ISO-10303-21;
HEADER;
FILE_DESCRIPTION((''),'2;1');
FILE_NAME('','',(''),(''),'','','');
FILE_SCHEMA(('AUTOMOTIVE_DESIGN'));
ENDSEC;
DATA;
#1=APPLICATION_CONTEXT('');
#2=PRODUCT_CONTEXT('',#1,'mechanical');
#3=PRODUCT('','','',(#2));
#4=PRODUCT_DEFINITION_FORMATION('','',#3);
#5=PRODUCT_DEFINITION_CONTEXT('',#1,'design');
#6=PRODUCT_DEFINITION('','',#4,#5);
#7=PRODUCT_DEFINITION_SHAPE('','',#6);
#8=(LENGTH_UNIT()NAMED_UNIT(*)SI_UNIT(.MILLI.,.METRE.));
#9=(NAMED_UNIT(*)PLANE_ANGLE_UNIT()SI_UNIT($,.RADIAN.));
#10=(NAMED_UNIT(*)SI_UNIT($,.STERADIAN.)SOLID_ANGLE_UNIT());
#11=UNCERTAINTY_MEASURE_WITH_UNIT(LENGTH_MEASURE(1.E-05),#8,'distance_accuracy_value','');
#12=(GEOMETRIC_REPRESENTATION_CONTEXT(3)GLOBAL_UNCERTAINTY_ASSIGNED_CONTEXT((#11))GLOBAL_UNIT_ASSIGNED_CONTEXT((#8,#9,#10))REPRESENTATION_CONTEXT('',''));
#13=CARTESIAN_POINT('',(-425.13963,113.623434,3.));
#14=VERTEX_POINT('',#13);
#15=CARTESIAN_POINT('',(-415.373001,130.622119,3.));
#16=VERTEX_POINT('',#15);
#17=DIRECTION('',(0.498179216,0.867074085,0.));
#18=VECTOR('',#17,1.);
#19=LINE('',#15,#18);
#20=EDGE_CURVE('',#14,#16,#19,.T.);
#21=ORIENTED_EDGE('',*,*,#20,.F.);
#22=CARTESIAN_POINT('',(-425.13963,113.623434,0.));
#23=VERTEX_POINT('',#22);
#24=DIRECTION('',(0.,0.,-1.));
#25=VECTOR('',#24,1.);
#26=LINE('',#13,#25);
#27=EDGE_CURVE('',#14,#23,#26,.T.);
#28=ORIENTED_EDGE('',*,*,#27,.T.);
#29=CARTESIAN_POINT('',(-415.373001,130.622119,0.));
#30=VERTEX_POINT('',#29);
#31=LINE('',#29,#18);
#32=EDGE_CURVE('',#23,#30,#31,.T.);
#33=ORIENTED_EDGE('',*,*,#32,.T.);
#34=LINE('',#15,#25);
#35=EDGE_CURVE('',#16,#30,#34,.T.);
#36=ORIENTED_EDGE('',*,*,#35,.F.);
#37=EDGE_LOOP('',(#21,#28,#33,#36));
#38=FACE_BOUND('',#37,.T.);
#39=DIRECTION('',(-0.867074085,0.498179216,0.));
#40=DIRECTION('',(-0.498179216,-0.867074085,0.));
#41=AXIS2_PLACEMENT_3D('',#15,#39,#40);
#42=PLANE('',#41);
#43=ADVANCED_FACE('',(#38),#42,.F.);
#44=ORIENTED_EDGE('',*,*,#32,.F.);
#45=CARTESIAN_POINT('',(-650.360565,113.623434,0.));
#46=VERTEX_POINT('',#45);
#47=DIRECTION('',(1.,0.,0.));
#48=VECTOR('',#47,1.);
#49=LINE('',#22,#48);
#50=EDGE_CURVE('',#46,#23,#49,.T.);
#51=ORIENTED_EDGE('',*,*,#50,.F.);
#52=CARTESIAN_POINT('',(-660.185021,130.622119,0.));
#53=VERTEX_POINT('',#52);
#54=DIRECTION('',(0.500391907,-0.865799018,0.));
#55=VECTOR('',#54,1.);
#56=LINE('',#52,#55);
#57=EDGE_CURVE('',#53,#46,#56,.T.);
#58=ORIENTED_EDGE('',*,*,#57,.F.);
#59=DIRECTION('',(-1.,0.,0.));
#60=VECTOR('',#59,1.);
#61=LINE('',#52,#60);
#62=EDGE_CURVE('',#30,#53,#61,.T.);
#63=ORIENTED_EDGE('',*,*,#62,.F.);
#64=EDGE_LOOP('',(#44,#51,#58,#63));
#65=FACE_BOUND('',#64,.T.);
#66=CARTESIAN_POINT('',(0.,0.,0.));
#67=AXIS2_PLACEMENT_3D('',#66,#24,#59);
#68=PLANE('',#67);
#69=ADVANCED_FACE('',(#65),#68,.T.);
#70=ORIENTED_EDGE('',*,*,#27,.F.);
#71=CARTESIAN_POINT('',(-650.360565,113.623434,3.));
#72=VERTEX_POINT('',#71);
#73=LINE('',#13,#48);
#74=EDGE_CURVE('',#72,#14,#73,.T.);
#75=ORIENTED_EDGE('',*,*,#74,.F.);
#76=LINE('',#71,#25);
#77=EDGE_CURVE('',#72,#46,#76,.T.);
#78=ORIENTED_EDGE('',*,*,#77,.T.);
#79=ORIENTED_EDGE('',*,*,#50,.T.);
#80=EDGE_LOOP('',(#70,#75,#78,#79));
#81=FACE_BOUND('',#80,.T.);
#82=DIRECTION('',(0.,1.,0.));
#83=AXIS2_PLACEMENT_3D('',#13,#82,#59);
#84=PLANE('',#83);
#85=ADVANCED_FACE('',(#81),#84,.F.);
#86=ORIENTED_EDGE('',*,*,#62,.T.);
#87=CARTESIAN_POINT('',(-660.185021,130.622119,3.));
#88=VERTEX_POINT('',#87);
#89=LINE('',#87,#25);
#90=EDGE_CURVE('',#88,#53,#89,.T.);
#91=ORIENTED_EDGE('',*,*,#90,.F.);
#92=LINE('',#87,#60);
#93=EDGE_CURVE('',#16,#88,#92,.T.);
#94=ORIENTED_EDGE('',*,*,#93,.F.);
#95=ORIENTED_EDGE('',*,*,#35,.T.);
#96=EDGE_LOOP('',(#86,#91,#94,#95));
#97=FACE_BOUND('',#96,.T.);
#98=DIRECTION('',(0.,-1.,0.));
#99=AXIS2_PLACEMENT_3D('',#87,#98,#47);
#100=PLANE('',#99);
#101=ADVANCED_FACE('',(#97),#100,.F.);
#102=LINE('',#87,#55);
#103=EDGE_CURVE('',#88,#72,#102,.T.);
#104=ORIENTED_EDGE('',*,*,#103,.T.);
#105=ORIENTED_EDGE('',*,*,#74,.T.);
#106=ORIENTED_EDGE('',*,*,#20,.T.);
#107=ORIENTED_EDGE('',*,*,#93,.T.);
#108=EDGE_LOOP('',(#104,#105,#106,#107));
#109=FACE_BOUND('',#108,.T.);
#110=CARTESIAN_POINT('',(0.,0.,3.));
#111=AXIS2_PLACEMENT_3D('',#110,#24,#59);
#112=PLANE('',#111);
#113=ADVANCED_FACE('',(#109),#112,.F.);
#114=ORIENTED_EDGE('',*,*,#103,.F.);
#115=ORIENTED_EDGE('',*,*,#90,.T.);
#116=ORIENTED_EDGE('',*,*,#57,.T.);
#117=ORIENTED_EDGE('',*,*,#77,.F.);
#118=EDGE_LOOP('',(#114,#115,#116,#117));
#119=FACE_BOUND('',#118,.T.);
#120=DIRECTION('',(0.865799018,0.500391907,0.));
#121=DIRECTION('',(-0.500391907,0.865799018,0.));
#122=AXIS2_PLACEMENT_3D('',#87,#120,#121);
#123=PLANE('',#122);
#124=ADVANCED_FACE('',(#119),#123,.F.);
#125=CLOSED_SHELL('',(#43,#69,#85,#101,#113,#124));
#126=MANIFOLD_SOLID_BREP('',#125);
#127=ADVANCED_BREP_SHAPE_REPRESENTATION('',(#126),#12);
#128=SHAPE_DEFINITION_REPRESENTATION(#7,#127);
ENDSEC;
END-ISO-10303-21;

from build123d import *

# Parameters (mm, degrees)
BOSS_EXTRUDE1_DEPTH = 3


with BuildPart() as part:
    # Sketch1 → Boss-Extrude1 (new body)
    with BuildSketch(Plane.XY):
        Polygon((-660.185020783, 130.622118766), (-650.360564602, 113.62343356), (-425.139630486, 113.62343356), (-415.373000609, 130.622118766), align=None)
    extrude(amount=BOSS_EXTRUDE1_DEPTH)


solid = part.part
